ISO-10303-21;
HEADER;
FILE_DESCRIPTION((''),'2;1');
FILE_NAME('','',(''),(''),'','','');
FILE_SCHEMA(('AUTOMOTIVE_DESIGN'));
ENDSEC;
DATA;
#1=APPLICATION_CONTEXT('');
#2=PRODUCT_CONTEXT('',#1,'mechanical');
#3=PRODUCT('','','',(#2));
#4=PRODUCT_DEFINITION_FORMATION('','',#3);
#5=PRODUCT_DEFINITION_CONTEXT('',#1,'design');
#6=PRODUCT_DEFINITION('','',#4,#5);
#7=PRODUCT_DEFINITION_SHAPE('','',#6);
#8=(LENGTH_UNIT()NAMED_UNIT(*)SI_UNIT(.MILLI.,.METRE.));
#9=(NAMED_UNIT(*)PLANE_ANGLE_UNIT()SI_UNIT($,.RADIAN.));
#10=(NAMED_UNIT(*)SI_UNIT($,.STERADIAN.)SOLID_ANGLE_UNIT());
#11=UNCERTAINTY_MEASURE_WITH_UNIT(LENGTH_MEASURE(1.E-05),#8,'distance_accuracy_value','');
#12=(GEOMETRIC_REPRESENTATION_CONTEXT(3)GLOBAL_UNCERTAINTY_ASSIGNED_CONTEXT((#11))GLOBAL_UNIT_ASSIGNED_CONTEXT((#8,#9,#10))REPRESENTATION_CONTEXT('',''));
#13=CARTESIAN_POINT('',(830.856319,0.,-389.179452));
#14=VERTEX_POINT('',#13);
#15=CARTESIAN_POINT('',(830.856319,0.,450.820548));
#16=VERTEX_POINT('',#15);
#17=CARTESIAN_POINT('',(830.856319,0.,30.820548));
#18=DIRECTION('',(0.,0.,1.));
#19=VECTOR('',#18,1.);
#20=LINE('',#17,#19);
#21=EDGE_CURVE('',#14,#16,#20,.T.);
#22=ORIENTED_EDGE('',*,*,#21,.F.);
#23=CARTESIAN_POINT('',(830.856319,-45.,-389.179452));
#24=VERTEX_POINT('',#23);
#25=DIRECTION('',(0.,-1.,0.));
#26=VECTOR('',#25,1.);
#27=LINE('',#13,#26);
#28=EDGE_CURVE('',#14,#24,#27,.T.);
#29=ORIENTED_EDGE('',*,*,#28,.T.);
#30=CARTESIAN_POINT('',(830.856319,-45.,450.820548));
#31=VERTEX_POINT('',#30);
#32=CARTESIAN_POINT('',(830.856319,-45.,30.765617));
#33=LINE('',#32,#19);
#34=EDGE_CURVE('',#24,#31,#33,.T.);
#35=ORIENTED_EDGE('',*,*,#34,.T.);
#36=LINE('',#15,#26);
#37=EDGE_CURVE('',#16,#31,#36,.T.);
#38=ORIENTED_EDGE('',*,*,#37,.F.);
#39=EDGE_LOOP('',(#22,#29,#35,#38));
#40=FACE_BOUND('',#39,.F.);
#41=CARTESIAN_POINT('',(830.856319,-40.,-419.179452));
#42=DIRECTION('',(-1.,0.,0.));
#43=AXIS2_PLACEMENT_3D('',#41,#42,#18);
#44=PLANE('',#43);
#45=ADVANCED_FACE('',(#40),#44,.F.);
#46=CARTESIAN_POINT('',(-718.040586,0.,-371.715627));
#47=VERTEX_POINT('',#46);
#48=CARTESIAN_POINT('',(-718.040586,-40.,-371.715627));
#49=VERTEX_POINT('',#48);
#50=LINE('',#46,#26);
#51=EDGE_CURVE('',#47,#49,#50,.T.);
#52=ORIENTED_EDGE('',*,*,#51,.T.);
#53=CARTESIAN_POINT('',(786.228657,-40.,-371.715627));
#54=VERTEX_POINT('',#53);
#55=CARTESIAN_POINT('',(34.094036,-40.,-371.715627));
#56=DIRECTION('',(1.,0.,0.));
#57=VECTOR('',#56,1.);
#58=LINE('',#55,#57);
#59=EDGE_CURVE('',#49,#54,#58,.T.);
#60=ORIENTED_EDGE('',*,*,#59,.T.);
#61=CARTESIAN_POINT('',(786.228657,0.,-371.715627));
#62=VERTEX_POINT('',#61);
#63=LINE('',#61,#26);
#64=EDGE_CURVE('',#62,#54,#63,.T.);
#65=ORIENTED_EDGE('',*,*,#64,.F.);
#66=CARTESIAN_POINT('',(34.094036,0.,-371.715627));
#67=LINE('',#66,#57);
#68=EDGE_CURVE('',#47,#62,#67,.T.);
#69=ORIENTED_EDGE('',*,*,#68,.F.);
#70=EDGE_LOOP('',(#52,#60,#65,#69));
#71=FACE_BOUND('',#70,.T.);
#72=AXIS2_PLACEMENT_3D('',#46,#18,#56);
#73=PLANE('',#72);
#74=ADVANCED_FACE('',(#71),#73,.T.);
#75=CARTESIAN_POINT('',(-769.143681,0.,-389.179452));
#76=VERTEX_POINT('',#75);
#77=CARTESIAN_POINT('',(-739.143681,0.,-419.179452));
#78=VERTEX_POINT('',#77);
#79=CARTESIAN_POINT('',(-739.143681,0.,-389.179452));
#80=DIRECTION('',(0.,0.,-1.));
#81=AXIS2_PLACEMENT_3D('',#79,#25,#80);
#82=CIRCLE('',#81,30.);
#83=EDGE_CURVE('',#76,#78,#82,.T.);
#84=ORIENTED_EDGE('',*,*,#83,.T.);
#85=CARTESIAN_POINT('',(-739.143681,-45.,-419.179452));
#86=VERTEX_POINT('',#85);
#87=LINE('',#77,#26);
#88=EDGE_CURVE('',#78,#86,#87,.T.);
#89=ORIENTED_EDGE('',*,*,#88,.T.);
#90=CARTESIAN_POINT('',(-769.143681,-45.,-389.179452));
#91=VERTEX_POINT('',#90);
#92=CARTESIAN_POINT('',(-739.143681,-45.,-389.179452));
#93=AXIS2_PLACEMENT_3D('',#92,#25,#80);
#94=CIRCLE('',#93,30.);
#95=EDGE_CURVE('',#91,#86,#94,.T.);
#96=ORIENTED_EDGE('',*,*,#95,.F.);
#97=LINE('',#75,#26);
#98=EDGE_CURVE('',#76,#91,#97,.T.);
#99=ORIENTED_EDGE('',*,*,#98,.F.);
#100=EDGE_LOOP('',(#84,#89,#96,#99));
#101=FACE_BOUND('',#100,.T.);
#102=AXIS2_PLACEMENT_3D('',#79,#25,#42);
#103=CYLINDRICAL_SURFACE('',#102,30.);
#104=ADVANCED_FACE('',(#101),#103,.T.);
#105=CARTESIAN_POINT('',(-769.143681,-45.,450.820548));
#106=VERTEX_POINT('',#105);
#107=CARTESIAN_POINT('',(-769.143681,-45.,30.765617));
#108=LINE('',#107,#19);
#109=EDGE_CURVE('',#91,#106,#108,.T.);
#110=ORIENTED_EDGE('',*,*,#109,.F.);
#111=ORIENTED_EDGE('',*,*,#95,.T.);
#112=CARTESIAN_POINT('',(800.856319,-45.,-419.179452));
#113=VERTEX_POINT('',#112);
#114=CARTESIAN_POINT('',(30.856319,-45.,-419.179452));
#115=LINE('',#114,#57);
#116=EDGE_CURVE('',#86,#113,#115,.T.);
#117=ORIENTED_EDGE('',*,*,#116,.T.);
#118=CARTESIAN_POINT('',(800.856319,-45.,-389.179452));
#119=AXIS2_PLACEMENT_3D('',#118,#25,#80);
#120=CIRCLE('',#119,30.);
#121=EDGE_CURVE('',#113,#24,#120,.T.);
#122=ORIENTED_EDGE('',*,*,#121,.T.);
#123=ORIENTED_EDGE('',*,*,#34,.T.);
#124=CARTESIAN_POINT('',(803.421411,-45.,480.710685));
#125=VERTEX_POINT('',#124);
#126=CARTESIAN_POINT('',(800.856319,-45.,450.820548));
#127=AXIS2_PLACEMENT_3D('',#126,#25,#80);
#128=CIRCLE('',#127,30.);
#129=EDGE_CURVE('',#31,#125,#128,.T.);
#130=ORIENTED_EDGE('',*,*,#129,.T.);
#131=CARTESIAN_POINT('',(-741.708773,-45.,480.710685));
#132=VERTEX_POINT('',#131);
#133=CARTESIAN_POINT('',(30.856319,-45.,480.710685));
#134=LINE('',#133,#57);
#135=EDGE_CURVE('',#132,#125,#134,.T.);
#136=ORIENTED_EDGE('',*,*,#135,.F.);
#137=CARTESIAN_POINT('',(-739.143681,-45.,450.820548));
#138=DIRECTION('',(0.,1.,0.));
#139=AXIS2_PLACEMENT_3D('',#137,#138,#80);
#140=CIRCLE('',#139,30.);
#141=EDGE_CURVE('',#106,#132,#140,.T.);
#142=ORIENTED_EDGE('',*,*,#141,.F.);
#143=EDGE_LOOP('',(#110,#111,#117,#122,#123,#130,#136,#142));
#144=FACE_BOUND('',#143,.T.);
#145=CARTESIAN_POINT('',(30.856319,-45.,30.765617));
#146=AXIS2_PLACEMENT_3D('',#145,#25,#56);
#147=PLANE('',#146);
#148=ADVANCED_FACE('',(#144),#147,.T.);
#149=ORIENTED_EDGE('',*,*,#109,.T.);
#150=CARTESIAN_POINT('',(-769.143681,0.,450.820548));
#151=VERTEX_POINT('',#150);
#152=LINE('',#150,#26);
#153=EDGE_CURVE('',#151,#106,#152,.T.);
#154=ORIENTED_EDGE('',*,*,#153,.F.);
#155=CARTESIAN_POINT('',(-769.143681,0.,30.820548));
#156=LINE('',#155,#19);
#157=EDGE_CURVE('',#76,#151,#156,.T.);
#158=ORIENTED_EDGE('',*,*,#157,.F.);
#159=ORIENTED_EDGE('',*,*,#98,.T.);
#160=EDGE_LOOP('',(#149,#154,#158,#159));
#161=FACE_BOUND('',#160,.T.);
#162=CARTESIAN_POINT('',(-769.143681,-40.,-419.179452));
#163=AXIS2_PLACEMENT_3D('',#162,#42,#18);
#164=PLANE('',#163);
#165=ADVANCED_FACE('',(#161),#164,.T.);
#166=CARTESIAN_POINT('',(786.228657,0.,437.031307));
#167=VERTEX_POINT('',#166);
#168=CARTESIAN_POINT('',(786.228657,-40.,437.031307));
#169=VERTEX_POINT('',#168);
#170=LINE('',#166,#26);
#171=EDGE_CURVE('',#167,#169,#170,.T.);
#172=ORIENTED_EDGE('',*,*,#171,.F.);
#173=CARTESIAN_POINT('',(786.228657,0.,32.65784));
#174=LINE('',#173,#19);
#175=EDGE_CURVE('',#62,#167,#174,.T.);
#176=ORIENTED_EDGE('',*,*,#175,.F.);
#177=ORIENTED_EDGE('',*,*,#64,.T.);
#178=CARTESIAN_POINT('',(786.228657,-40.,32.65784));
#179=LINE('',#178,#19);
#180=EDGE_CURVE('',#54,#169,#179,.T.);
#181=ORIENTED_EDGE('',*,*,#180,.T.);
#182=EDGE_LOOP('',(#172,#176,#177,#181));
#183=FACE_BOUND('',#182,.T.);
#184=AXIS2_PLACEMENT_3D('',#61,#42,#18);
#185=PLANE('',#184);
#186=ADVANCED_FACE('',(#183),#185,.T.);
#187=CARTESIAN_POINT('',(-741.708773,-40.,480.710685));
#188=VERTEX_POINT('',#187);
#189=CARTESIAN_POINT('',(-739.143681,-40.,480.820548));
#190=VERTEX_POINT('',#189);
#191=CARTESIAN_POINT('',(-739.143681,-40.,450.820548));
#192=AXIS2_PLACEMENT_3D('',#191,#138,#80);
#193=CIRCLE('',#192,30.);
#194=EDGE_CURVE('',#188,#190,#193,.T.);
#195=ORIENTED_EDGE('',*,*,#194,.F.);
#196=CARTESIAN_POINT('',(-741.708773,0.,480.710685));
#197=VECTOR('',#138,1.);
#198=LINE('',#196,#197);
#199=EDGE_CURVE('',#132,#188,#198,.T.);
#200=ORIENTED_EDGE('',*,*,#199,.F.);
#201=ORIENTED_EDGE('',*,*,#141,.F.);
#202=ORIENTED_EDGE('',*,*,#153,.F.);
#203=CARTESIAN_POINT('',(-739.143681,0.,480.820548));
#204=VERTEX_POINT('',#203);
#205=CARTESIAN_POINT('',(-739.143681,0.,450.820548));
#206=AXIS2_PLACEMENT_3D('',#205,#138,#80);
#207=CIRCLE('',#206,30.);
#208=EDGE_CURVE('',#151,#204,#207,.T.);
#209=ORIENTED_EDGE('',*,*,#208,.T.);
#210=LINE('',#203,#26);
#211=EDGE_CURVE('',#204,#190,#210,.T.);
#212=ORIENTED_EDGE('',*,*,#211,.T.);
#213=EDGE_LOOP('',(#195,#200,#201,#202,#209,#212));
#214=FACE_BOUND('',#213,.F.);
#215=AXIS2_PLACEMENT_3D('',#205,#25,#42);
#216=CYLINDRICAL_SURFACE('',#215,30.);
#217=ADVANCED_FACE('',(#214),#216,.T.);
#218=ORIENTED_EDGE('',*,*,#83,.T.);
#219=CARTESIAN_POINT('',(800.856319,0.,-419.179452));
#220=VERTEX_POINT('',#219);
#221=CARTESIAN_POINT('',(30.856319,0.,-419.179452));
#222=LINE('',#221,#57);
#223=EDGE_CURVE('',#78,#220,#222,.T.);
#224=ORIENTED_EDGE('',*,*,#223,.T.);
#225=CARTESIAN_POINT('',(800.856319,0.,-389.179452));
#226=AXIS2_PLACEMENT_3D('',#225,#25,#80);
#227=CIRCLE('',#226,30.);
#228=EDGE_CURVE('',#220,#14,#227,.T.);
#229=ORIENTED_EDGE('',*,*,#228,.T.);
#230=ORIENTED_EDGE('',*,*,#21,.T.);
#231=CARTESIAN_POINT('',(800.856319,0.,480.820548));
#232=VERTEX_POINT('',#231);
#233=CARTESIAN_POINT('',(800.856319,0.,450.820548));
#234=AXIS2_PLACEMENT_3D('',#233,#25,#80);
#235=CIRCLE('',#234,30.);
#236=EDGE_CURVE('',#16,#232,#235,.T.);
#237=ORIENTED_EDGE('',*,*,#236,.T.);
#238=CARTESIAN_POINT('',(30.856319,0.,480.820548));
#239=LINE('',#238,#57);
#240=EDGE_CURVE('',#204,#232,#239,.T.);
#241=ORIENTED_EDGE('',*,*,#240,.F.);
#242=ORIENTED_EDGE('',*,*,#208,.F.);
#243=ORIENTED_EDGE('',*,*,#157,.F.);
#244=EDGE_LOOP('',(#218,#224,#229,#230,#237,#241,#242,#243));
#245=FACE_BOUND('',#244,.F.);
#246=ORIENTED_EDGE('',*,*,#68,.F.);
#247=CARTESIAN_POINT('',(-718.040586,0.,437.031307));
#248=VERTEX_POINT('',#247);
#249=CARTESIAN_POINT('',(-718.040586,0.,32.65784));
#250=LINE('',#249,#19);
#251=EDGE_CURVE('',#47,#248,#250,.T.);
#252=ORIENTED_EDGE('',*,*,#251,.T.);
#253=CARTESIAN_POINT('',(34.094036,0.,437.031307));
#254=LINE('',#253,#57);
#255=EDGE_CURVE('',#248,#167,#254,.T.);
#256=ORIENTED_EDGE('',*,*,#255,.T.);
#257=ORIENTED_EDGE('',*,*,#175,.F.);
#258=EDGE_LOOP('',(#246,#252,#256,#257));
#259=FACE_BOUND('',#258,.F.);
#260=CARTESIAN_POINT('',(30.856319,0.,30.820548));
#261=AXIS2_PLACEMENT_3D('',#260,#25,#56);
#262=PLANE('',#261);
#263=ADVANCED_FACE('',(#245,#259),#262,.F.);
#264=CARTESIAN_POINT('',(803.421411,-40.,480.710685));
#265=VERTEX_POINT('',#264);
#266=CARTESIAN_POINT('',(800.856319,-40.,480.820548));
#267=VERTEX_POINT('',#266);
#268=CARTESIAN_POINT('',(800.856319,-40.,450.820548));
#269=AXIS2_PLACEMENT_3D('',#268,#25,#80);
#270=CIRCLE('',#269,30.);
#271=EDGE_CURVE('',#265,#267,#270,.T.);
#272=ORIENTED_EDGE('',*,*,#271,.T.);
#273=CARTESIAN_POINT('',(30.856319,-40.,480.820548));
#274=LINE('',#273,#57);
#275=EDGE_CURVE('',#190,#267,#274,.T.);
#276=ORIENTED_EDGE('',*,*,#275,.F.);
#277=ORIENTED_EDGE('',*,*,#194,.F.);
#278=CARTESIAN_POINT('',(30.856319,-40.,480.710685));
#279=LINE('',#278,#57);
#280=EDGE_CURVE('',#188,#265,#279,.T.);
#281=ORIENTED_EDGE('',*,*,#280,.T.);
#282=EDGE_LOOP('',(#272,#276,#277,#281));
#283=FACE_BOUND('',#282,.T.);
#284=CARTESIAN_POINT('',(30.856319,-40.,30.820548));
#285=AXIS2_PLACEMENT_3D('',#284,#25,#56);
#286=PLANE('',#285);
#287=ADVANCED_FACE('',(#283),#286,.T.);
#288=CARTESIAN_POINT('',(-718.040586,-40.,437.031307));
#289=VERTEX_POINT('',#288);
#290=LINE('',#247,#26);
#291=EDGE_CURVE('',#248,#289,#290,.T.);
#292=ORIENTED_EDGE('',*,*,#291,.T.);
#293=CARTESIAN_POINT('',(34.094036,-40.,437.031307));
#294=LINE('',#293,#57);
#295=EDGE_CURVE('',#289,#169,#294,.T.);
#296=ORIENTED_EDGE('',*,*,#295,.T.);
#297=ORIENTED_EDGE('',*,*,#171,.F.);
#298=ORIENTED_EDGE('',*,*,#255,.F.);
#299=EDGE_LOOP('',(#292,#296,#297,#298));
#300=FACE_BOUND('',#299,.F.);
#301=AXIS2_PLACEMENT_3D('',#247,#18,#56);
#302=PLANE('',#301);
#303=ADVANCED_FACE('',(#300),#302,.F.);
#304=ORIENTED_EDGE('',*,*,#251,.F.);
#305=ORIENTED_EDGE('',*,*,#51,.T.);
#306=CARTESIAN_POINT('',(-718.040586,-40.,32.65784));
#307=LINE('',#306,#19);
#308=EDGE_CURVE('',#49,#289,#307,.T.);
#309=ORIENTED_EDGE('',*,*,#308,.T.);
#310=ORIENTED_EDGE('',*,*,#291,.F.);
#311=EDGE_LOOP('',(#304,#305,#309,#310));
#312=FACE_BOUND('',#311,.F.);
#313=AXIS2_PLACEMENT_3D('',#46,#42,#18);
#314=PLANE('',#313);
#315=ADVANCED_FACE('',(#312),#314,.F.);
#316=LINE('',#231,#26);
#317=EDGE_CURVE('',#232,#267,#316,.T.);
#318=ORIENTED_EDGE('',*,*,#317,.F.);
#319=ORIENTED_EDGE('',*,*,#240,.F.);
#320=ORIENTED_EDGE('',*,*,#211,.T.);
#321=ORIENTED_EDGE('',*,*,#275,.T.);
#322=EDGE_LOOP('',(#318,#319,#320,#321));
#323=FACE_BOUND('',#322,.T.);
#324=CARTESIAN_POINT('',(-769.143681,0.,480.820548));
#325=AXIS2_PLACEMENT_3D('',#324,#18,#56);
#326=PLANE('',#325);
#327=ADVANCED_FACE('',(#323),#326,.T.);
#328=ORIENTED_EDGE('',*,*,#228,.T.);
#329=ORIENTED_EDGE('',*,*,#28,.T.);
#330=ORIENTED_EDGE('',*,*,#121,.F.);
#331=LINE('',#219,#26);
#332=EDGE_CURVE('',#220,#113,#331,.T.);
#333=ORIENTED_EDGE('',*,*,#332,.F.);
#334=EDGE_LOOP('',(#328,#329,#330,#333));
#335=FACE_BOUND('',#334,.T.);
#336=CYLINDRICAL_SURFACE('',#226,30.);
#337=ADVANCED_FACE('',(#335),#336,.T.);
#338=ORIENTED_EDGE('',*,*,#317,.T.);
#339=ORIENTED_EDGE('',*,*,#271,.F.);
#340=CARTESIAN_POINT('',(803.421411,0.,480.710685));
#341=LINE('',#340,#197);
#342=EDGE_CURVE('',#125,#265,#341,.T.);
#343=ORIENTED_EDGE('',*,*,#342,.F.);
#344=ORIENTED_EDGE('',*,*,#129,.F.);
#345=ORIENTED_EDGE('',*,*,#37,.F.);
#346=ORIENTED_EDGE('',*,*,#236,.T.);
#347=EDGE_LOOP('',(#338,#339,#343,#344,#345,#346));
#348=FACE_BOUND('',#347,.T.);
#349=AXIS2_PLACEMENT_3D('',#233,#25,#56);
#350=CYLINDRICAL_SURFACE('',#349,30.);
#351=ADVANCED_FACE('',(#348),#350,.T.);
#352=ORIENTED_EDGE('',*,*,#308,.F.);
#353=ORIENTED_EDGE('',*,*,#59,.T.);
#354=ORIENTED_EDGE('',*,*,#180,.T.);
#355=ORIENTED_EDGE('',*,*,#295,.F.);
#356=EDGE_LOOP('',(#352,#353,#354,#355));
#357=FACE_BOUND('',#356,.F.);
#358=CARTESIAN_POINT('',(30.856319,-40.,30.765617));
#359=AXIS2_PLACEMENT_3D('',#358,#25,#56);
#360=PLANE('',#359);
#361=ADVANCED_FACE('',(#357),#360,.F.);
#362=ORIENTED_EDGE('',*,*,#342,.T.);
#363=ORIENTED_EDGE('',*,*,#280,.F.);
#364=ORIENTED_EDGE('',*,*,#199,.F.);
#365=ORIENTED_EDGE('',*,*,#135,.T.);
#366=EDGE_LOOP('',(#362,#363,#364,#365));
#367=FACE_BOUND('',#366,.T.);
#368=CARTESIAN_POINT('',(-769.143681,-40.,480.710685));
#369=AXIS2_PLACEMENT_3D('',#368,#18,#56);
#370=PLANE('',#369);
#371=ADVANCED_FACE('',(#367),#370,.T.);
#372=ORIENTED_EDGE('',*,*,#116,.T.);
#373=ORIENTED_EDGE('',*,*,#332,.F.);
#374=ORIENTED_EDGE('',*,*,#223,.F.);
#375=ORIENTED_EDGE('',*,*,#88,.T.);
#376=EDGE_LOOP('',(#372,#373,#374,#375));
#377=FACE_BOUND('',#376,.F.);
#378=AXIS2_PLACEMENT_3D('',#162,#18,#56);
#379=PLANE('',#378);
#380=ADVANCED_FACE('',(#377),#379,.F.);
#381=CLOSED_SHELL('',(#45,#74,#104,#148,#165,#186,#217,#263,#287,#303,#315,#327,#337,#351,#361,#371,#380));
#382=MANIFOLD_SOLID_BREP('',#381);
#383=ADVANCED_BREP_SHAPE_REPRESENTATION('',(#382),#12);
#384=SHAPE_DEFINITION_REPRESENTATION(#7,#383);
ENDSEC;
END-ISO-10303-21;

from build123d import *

# Parameters (mm, degrees)
F0_W     = 1600
F0_H     = 900
F0_W_2   = 1504.2692422867
F0_H_2   = 808.7469339371
F1_DEPTH = 40
F2_W     = 1600
F2_H     = 899.8901372014
F3_DEPTH = 5
F4_R     = 30


with BuildPart() as f1:
    # F0 (on Front) → F1 (new body)
    with BuildSketch(Plane.XZ):
        with Locations((30.8563187718, 30.8205480518)):
            Rectangle(F0_W, F0_H)
        with Locations((34.0940356255, 32.6578398405)):
            Rectangle(F0_W_2, F0_H_2, mode=Mode.SUBTRACT)
    extrude(amount=F1_DEPTH)

    # F2 (on face) → F3 (join)
    with BuildSketch(Plane.XZ.offset(40)):
        with Locations((30.8563187718, 30.7656166525)):
            Rectangle(F2_W, F2_H)
    extrude(amount=F3_DEPTH)

    # F4
    f4_edges = [f1.edges().sort_by_distance(p)[0] for p in [
        (830.856319, -22.5, -419.179452),
        (-769.143681, -22.5, -419.179452),
        (-769.143681, -20, 480.820548),
        (830.856319, -20, 480.820548),
    ]]
    fillet(f4_edges, radius=F4_R)


solid = f1.part
